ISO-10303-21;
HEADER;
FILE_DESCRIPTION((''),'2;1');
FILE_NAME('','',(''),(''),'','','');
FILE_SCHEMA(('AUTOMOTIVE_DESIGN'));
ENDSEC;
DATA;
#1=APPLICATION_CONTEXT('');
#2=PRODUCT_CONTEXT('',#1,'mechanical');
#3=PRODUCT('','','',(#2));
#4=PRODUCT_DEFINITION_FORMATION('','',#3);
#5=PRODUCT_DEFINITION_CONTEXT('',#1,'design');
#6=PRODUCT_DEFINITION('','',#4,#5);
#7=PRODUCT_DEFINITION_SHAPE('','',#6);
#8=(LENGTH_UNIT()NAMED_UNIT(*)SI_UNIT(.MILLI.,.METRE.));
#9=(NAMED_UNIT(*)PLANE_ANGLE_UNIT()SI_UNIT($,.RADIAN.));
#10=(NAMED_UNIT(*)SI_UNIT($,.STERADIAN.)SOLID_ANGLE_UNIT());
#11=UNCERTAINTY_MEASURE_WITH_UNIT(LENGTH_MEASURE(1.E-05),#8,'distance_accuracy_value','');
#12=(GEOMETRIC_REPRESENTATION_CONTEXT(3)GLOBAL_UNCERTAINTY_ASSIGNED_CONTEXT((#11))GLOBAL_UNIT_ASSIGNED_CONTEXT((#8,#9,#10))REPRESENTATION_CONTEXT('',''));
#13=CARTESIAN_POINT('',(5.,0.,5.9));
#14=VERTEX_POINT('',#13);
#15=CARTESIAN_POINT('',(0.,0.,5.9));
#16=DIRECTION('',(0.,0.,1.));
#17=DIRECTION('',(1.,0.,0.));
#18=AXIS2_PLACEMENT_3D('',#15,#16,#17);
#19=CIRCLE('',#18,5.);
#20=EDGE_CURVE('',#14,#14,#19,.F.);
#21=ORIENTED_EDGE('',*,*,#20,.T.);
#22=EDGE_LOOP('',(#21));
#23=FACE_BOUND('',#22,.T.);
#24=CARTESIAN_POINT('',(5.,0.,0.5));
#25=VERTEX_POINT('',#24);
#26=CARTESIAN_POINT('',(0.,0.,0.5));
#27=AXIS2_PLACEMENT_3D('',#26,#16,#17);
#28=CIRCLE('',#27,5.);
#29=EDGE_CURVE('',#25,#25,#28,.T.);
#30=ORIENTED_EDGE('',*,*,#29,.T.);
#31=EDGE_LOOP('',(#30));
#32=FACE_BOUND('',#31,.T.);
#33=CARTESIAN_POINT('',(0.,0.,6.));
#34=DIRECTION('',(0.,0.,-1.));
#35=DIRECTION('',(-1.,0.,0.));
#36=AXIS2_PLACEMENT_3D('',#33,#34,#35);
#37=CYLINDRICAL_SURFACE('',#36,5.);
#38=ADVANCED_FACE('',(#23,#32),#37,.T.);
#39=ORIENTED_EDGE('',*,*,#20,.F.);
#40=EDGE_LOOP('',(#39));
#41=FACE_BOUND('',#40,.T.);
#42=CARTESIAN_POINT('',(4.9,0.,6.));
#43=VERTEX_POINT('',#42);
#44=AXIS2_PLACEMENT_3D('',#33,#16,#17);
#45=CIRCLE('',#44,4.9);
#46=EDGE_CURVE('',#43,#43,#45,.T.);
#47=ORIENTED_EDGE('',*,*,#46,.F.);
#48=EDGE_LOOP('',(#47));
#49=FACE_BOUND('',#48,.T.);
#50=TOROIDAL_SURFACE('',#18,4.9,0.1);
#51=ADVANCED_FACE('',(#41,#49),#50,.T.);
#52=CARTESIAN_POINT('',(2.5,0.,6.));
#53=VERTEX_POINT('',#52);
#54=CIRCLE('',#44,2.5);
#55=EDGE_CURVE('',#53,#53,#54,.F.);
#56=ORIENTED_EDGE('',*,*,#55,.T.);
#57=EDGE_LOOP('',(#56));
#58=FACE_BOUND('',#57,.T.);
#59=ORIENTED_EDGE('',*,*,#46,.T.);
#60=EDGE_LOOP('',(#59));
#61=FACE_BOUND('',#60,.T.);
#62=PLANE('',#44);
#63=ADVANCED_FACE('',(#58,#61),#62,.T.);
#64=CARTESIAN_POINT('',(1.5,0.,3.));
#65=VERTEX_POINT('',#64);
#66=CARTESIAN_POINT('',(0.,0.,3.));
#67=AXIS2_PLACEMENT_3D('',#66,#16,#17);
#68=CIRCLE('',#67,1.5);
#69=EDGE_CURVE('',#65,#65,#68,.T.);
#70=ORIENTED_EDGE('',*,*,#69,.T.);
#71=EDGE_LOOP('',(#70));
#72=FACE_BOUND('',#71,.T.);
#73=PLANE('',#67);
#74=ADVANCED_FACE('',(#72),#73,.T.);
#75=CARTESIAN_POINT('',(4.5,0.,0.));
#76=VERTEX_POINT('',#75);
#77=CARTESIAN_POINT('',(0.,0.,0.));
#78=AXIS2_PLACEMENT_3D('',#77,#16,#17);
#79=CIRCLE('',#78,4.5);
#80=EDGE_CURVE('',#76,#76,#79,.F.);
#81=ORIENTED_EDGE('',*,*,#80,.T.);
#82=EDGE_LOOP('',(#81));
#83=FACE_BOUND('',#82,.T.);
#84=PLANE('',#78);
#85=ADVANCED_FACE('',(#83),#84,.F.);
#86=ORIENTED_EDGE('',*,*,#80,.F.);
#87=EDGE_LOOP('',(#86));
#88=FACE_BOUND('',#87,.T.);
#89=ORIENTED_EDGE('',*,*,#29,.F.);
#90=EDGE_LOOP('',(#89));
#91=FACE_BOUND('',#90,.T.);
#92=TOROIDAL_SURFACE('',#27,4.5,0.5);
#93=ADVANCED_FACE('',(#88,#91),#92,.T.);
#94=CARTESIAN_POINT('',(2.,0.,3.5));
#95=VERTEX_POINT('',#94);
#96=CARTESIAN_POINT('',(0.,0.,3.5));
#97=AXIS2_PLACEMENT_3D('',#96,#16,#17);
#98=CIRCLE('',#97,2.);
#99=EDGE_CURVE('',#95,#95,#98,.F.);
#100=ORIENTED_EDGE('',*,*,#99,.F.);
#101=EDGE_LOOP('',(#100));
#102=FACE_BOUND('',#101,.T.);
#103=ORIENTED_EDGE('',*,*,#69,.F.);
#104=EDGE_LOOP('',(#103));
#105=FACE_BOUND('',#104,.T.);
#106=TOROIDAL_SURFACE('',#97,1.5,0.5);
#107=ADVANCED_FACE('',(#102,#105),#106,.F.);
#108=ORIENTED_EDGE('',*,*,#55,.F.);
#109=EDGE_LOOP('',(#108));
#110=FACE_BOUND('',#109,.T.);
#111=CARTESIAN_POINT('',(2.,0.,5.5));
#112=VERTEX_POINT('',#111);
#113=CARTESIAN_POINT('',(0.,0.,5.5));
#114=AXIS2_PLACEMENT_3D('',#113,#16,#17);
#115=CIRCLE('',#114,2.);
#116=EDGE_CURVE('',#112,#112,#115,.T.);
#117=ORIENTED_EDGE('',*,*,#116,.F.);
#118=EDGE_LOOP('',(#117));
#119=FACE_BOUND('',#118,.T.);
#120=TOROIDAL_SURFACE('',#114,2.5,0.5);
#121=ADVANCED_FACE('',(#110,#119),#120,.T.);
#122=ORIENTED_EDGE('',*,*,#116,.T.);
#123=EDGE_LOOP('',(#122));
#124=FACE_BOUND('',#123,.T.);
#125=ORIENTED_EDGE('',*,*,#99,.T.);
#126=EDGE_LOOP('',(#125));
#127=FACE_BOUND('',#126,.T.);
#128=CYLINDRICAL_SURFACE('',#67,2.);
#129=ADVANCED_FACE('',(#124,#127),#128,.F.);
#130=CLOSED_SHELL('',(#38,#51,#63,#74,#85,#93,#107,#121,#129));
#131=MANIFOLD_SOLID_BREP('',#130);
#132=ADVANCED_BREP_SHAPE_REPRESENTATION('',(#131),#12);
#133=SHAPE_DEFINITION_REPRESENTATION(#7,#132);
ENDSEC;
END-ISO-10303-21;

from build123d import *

# Parameters (mm, degrees)
SCHIZZO1_R                   = 5
ESTRUSIONE_ESTRUSIONE1_DEPTH = 6
SCHIZZO2_R                   = 2
TAGLIO_ESTRUSIONE1_DEPTH     = 3
RACCORDO1_R                  = 0.5
RACCORDO2_R                  = 0.1


with BuildPart() as part:
    # Schizzo1 → Estrusione-Estrusione1 (new body)
    with BuildSketch(Plane.XY):
        Circle(SCHIZZO1_R)
    extrude(amount=ESTRUSIONE_ESTRUSIONE1_DEPTH)

    # Schizzo2 → Taglio-Estrusione1 (cut)
    with BuildSketch(Plane.XY.offset(6)):
        Circle(SCHIZZO2_R)
    extrude(amount=-TAGLIO_ESTRUSIONE1_DEPTH, mode=Mode.SUBTRACT)

    # Raccordo1
    raccordo1_edges = [part.edges().sort_by_distance(p)[0] for p in [
        (-5, 0, 0),
        (-2, 0, 3),
        (-2, 0, 6),
    ]]
    fillet(raccordo1_edges, radius=RACCORDO1_R)

    # Raccordo2
    raccordo2_edges = [part.edges().sort_by_distance(p)[0] for p in [
        (-5, 0, 6),
    ]]
    fillet(raccordo2_edges, radius=RACCORDO2_R)


solid = part.part
